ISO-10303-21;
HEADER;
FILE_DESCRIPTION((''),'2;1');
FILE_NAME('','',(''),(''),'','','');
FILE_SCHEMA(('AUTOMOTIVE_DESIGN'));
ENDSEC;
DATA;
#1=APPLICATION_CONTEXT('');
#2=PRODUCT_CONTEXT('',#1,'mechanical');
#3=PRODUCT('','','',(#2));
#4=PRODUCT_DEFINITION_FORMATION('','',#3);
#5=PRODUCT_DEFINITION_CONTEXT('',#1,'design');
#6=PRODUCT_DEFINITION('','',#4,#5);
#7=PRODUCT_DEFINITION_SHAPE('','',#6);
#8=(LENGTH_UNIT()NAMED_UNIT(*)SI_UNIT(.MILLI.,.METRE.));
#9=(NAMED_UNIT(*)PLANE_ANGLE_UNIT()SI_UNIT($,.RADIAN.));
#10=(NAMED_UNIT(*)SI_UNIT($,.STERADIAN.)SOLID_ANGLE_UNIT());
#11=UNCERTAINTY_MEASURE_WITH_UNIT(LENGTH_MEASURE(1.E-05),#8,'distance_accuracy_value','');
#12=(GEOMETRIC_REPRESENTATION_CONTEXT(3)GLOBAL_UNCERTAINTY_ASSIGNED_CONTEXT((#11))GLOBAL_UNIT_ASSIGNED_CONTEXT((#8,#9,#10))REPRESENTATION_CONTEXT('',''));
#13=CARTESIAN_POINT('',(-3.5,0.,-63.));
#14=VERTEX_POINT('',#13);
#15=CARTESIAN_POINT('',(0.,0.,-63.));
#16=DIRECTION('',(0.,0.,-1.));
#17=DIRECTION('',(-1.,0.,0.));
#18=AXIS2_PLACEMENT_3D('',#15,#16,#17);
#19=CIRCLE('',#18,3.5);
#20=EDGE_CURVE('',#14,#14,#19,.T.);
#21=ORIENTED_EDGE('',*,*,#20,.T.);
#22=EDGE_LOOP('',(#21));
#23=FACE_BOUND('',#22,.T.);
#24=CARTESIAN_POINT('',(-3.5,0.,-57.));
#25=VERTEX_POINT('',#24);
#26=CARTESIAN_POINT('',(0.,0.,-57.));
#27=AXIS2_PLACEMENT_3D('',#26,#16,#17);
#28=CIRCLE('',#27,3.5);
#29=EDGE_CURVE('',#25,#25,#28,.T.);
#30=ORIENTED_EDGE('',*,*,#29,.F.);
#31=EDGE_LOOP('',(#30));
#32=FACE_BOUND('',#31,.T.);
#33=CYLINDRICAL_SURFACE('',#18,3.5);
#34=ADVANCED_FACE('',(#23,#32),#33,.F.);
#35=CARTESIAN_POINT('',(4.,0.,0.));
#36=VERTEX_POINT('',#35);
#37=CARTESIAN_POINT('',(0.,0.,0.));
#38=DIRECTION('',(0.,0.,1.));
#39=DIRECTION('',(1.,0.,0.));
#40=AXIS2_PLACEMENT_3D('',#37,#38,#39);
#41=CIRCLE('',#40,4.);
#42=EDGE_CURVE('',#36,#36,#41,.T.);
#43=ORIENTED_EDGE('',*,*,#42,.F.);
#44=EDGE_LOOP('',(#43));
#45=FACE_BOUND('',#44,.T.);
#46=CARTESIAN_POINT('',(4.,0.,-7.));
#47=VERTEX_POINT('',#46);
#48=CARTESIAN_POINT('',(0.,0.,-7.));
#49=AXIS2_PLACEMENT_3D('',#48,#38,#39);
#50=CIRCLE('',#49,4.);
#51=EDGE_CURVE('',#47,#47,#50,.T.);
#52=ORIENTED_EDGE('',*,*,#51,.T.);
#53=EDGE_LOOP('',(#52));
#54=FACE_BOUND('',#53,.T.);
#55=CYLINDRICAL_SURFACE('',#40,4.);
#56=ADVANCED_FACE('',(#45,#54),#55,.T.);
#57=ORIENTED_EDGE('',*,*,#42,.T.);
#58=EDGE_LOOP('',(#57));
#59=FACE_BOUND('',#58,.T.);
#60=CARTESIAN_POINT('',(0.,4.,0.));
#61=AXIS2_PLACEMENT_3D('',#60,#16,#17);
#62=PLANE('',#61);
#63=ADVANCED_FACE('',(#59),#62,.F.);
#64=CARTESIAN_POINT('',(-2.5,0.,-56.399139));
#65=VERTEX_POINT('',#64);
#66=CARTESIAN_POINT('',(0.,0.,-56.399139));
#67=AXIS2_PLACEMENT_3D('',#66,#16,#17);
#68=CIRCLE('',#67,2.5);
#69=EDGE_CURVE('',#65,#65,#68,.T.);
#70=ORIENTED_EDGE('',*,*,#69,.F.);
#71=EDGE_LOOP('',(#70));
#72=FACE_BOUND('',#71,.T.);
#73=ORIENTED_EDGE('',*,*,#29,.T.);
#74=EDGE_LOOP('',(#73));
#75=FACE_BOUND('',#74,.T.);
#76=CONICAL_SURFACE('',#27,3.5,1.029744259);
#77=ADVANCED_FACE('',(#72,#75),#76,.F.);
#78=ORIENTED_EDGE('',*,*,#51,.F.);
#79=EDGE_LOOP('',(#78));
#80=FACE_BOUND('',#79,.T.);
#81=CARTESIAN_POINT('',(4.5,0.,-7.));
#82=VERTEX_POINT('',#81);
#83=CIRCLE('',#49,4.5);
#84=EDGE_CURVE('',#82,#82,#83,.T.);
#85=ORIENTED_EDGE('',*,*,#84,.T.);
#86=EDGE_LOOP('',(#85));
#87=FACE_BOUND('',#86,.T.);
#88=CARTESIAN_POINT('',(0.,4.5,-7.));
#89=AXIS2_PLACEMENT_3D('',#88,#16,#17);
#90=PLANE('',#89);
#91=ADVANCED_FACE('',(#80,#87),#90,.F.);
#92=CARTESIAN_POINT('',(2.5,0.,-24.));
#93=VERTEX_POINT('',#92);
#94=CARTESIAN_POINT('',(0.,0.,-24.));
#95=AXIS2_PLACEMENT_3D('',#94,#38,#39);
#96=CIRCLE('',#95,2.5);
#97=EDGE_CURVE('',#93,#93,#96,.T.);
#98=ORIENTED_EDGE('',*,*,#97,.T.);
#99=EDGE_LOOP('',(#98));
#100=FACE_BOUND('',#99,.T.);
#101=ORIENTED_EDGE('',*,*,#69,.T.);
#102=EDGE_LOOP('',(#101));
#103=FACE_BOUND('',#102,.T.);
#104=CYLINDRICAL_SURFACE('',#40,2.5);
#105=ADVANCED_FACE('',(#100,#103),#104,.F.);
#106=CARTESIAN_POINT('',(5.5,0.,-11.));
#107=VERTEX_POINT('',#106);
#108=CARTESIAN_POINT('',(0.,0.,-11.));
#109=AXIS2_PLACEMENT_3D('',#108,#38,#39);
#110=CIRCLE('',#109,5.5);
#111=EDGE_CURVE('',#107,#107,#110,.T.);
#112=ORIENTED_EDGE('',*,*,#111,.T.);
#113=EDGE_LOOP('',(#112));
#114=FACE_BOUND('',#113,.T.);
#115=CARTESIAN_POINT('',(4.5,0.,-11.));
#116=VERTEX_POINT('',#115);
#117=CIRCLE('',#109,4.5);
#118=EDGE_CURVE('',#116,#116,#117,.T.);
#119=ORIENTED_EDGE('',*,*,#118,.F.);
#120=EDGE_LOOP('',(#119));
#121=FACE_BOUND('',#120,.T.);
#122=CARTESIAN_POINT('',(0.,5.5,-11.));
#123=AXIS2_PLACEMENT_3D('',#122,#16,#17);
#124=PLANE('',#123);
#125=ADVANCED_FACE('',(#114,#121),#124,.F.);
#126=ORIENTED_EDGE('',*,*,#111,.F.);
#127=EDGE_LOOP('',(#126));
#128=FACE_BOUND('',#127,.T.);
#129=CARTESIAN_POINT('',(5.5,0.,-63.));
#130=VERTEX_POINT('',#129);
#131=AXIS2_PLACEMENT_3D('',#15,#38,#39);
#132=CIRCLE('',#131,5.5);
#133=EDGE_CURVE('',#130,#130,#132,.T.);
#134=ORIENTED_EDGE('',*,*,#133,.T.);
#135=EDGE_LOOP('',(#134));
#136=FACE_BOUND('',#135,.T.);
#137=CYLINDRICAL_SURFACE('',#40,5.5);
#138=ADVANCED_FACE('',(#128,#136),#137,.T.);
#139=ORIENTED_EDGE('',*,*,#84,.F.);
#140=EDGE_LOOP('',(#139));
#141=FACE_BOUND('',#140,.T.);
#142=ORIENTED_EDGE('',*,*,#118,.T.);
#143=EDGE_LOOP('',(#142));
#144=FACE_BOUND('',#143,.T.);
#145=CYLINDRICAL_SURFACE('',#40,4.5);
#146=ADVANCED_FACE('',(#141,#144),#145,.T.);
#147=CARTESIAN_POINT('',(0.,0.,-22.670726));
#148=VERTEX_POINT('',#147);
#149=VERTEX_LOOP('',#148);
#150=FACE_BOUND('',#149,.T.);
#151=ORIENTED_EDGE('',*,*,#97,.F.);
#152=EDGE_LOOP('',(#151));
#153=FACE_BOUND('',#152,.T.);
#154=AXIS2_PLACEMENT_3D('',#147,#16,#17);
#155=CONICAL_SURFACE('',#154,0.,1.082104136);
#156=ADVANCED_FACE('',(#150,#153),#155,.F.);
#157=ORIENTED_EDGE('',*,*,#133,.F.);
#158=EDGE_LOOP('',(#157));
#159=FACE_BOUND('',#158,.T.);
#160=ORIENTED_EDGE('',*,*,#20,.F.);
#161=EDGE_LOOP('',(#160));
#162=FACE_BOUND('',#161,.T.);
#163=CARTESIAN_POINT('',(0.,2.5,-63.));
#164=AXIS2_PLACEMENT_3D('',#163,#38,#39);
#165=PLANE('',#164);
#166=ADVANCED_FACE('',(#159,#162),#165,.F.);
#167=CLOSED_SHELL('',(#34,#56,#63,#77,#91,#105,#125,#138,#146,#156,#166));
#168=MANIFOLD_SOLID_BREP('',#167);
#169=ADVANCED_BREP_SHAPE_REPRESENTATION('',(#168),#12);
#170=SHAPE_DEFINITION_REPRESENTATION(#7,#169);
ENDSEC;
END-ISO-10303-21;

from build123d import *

# Parameters (mm, degrees)
TAP_DRILL_FOR_M8X1_0_TAP1_D     = 7
TAP_DRILL_FOR_M8X1_0_TAP1_DEPTH = 6
TAP_DRILL_FOR_M8X1_0_TAP1_TIP   = 2.103012167


with BuildPart() as part:
    # Sketch1 → Revolve1 (revolve)
    with BuildSketch(Plane(origin=(0, 0, 0), x_dir=(0, 0, -1), z_dir=(1, 0, 0))):
        Polygon((0, 0), (22.670726421, 0), (24, 2.5), (63, 2.5), (63, 5.5), (11, 5.5), (11, 4.5), (7, 4.5), (7, 4), (0, 4), align=None)
    revolve(axis=Axis((0, 0, 0), (0, 0, -1)))

    # Tap Drill for M8x1.0 Tap1
    with Locations(Plane(origin=(0, 0, -63), x_dir=(-1, 0, 0), z_dir=(0, 0, -1))):
        with Locations((0, 0)):
            Hole(TAP_DRILL_FOR_M8X1_0_TAP1_D / 2, depth=TAP_DRILL_FOR_M8X1_0_TAP1_DEPTH)
            with Locations((0, 0, -(TAP_DRILL_FOR_M8X1_0_TAP1_DEPTH + TAP_DRILL_FOR_M8X1_0_TAP1_TIP / 2))):  # 118° drill point
                Cone(0, TAP_DRILL_FOR_M8X1_0_TAP1_D / 2, TAP_DRILL_FOR_M8X1_0_TAP1_TIP, mode=Mode.SUBTRACT)


solid = part.part
